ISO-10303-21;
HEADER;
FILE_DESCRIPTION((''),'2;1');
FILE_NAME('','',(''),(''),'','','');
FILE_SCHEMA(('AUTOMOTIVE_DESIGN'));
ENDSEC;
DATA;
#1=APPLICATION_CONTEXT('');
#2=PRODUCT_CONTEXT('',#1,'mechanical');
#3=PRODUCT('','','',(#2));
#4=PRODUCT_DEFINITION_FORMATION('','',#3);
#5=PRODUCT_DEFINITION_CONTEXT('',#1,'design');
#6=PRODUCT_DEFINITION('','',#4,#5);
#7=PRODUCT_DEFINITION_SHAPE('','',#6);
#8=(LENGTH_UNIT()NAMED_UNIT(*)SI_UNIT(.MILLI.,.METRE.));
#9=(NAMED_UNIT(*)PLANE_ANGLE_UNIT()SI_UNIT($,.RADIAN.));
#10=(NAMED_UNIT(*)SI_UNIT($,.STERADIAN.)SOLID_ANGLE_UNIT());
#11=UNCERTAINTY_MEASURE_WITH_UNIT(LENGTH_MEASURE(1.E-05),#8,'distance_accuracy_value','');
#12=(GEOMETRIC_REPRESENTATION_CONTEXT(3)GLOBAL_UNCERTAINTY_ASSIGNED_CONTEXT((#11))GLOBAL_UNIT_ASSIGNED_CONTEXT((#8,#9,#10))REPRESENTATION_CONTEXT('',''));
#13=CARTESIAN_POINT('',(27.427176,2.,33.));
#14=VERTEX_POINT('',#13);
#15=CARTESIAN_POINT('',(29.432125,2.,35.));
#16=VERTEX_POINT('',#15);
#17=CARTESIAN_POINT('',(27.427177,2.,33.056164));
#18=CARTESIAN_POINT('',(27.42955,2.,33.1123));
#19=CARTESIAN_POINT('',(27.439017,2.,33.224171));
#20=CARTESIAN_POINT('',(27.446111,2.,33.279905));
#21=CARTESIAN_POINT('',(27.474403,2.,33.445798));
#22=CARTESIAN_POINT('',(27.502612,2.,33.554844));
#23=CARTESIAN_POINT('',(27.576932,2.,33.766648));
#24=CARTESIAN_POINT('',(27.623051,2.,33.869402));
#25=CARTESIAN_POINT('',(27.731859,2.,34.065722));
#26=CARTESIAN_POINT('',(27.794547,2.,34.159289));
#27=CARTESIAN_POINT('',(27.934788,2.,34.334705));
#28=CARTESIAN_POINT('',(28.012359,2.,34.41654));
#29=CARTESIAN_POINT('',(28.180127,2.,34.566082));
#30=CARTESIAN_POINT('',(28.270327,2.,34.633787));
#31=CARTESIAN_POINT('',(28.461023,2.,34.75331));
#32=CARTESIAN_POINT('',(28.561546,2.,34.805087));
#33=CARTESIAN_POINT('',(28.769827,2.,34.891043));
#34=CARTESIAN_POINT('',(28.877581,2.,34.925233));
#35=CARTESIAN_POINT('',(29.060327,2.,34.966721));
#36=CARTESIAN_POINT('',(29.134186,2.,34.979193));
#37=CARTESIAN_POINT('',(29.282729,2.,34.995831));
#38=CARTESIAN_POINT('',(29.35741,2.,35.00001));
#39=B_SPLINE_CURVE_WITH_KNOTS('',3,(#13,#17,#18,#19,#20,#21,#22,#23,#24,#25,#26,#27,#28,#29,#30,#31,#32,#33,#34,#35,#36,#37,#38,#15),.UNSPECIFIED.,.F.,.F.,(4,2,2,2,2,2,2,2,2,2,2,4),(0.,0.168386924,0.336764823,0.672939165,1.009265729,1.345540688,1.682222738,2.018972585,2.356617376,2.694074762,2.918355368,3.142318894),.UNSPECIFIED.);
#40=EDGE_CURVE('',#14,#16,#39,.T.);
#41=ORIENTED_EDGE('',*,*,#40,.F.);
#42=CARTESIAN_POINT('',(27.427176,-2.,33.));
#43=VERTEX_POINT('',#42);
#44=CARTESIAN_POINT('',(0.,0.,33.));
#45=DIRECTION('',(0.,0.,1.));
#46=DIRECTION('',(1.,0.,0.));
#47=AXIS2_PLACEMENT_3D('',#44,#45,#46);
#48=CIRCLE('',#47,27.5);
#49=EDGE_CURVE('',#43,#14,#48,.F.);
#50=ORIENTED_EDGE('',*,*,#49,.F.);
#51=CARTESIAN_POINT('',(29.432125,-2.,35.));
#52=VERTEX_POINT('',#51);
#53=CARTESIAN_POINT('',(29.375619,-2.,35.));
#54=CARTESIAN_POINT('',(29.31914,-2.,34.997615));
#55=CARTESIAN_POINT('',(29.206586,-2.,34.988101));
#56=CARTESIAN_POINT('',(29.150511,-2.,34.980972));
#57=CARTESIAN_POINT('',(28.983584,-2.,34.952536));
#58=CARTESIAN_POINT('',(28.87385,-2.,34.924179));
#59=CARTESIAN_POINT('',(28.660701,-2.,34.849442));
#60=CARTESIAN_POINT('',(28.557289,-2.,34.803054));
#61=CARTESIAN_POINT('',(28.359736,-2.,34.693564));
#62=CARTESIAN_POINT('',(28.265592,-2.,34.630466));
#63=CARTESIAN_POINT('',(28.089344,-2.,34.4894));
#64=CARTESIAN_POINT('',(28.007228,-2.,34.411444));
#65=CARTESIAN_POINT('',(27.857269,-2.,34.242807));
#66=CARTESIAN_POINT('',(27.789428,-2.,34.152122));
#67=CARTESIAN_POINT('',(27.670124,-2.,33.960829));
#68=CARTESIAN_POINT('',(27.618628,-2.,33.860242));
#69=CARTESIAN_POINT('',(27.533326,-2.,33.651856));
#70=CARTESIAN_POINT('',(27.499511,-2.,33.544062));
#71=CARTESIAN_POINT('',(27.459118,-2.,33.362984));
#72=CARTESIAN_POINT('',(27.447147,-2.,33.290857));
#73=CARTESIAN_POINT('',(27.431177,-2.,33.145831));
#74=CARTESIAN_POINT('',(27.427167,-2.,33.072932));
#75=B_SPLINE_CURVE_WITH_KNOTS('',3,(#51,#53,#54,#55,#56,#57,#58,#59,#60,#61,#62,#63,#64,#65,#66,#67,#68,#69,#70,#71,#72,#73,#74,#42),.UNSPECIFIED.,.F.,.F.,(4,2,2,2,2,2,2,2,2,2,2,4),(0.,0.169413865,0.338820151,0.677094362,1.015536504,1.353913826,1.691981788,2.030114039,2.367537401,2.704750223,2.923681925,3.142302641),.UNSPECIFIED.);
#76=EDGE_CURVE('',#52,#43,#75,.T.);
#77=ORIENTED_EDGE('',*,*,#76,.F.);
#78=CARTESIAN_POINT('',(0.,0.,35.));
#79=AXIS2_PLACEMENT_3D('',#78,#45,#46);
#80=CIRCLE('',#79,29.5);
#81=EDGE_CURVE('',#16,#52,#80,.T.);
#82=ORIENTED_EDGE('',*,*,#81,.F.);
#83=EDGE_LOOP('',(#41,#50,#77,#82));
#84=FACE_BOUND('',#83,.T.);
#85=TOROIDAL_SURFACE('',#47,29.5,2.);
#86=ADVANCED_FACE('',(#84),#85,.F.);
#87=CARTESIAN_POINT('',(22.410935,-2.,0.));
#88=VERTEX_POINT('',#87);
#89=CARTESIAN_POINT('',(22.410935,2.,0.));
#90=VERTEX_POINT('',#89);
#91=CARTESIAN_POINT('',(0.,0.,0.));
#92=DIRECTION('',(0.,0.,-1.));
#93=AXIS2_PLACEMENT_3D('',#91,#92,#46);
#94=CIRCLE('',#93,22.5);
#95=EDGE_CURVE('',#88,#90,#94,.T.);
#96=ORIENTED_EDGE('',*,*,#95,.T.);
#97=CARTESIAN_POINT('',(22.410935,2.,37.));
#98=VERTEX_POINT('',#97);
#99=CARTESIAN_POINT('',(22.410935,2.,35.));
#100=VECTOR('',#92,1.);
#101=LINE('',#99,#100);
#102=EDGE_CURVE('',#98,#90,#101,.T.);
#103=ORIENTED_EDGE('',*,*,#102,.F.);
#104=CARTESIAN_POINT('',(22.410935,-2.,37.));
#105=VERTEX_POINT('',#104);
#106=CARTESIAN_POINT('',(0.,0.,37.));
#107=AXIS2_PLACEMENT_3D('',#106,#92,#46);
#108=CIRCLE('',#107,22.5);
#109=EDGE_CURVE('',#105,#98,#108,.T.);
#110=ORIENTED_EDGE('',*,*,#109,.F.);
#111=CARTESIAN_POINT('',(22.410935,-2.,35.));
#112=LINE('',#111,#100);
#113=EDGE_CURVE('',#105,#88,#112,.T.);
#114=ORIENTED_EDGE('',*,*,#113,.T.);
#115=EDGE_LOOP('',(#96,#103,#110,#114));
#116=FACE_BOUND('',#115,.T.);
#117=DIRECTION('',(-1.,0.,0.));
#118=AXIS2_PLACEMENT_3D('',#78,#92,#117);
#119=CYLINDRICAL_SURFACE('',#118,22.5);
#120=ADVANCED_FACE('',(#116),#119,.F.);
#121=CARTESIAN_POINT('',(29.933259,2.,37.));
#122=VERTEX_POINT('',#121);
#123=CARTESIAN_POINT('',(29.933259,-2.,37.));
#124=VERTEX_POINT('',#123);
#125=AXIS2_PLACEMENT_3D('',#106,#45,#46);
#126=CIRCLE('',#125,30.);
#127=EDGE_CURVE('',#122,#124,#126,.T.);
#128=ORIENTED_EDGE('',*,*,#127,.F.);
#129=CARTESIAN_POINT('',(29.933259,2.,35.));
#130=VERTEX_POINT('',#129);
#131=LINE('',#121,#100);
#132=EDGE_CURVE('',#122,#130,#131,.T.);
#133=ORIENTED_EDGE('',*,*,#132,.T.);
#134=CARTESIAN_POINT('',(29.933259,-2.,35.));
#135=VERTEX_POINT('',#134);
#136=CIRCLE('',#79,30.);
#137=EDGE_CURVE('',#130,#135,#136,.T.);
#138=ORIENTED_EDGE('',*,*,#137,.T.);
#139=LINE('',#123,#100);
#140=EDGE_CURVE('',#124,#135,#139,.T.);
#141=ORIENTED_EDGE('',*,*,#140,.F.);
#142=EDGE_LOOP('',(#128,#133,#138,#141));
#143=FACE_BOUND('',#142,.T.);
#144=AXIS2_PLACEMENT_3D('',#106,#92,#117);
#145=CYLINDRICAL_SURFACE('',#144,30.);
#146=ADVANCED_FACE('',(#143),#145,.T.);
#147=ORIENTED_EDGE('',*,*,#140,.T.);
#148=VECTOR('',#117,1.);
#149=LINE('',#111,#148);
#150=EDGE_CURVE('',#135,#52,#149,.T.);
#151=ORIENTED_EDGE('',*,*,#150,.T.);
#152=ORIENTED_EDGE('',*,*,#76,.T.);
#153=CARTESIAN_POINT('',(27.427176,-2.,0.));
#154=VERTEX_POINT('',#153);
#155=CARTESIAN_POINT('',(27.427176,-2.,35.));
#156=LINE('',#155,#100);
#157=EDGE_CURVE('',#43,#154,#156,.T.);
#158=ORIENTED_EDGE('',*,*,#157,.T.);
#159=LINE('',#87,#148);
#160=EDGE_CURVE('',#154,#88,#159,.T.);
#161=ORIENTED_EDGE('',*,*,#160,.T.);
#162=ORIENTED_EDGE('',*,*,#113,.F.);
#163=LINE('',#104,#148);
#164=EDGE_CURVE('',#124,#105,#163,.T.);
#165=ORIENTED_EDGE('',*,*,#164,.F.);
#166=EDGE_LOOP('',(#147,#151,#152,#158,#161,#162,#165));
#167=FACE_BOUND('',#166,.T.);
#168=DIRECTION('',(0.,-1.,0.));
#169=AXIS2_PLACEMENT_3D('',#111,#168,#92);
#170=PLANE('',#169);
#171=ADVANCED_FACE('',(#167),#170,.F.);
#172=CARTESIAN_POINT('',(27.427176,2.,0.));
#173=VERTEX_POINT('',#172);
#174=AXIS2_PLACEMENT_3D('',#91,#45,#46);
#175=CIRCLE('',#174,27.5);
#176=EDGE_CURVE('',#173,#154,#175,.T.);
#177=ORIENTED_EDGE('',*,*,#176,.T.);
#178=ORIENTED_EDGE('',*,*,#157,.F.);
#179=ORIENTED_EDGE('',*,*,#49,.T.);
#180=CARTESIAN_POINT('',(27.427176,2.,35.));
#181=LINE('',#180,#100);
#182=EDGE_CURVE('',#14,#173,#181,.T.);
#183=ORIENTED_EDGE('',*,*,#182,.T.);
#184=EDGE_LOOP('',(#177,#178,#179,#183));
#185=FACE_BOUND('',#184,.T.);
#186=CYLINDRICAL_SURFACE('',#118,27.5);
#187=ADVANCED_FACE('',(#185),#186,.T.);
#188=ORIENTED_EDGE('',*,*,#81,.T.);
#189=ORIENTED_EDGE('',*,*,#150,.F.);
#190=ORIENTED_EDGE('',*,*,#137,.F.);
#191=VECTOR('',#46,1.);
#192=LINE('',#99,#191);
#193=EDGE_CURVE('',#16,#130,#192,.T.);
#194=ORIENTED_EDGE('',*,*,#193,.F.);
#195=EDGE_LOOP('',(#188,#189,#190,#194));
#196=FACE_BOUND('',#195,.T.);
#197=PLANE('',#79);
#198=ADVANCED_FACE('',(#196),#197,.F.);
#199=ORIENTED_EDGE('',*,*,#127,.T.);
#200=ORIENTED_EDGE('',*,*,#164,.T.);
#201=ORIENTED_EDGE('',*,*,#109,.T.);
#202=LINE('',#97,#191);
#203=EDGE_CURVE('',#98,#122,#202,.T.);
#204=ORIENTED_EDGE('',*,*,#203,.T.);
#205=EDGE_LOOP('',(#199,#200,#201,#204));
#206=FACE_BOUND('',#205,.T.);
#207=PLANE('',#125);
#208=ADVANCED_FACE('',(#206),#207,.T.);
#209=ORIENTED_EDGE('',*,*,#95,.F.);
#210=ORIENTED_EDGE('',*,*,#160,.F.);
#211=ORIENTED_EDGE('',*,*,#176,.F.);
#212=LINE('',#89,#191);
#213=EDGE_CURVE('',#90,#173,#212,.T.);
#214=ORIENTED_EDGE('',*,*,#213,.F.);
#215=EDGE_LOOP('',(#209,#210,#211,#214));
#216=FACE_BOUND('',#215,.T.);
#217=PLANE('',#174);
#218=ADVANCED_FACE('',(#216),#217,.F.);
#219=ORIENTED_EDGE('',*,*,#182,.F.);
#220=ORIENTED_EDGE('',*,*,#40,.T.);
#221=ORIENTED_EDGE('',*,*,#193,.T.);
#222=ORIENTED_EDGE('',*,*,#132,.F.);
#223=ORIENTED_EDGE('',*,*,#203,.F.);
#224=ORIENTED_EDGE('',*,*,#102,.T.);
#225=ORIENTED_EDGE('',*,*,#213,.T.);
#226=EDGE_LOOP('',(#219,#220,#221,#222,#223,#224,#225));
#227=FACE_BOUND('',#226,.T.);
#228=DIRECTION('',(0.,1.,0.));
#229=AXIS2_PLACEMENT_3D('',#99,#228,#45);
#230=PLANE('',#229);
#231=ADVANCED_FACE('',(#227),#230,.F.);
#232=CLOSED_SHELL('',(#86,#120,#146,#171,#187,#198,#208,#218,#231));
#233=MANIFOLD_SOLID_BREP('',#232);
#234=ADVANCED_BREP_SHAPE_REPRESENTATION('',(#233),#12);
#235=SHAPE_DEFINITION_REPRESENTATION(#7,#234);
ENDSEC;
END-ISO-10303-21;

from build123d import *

# Parameters (mm, degrees)
EXTRUDE_1_DEPTH = 35
EXTRUDE_2_DEPTH = 2
FILLET_1_R      = 2


with BuildPart() as part:
    # Эскиз1 → Бобышка-Вытянуть1 (new body)
    with BuildSketch(Plane.XY):
        with BuildLine():
            Line((22.410934831, 2), (27.427176304, 2))
            ThreePointArc((27.427176304, 2), (-27.5, 0), (27.427176304, -2))
            Line((27.427176304, -2), (22.410934831, -2))
            ThreePointArc((22.410934831, -2), (-22.5, 0), (22.410934831, 2))
        make_face()
    extrude(amount=EXTRUDE_1_DEPTH)

    # Эскиз2 → Бобышка-Вытянуть2 (add)
    with BuildSketch(Plane.XY.offset(35)):
        with BuildLine():
            Line((22.410934831, 2), (29.933259094, 2))
            ThreePointArc((29.933259094, 2), (-30, 0), (29.933259094, -2))
            Line((29.933259094, -2), (22.410934831, -2))
            ThreePointArc((22.410934831, -2), (-22.5, 0), (22.410934831, 2))
        make_face()
    extrude(amount=EXTRUDE_2_DEPTH)

    # Скругление1
    fillet_1_edges = [part.edges().sort_by_distance(p)[0] for p in [
        (-27.5, 0, 35),
    ]]
    fillet(fillet_1_edges, radius=FILLET_1_R)


solid = part.part
